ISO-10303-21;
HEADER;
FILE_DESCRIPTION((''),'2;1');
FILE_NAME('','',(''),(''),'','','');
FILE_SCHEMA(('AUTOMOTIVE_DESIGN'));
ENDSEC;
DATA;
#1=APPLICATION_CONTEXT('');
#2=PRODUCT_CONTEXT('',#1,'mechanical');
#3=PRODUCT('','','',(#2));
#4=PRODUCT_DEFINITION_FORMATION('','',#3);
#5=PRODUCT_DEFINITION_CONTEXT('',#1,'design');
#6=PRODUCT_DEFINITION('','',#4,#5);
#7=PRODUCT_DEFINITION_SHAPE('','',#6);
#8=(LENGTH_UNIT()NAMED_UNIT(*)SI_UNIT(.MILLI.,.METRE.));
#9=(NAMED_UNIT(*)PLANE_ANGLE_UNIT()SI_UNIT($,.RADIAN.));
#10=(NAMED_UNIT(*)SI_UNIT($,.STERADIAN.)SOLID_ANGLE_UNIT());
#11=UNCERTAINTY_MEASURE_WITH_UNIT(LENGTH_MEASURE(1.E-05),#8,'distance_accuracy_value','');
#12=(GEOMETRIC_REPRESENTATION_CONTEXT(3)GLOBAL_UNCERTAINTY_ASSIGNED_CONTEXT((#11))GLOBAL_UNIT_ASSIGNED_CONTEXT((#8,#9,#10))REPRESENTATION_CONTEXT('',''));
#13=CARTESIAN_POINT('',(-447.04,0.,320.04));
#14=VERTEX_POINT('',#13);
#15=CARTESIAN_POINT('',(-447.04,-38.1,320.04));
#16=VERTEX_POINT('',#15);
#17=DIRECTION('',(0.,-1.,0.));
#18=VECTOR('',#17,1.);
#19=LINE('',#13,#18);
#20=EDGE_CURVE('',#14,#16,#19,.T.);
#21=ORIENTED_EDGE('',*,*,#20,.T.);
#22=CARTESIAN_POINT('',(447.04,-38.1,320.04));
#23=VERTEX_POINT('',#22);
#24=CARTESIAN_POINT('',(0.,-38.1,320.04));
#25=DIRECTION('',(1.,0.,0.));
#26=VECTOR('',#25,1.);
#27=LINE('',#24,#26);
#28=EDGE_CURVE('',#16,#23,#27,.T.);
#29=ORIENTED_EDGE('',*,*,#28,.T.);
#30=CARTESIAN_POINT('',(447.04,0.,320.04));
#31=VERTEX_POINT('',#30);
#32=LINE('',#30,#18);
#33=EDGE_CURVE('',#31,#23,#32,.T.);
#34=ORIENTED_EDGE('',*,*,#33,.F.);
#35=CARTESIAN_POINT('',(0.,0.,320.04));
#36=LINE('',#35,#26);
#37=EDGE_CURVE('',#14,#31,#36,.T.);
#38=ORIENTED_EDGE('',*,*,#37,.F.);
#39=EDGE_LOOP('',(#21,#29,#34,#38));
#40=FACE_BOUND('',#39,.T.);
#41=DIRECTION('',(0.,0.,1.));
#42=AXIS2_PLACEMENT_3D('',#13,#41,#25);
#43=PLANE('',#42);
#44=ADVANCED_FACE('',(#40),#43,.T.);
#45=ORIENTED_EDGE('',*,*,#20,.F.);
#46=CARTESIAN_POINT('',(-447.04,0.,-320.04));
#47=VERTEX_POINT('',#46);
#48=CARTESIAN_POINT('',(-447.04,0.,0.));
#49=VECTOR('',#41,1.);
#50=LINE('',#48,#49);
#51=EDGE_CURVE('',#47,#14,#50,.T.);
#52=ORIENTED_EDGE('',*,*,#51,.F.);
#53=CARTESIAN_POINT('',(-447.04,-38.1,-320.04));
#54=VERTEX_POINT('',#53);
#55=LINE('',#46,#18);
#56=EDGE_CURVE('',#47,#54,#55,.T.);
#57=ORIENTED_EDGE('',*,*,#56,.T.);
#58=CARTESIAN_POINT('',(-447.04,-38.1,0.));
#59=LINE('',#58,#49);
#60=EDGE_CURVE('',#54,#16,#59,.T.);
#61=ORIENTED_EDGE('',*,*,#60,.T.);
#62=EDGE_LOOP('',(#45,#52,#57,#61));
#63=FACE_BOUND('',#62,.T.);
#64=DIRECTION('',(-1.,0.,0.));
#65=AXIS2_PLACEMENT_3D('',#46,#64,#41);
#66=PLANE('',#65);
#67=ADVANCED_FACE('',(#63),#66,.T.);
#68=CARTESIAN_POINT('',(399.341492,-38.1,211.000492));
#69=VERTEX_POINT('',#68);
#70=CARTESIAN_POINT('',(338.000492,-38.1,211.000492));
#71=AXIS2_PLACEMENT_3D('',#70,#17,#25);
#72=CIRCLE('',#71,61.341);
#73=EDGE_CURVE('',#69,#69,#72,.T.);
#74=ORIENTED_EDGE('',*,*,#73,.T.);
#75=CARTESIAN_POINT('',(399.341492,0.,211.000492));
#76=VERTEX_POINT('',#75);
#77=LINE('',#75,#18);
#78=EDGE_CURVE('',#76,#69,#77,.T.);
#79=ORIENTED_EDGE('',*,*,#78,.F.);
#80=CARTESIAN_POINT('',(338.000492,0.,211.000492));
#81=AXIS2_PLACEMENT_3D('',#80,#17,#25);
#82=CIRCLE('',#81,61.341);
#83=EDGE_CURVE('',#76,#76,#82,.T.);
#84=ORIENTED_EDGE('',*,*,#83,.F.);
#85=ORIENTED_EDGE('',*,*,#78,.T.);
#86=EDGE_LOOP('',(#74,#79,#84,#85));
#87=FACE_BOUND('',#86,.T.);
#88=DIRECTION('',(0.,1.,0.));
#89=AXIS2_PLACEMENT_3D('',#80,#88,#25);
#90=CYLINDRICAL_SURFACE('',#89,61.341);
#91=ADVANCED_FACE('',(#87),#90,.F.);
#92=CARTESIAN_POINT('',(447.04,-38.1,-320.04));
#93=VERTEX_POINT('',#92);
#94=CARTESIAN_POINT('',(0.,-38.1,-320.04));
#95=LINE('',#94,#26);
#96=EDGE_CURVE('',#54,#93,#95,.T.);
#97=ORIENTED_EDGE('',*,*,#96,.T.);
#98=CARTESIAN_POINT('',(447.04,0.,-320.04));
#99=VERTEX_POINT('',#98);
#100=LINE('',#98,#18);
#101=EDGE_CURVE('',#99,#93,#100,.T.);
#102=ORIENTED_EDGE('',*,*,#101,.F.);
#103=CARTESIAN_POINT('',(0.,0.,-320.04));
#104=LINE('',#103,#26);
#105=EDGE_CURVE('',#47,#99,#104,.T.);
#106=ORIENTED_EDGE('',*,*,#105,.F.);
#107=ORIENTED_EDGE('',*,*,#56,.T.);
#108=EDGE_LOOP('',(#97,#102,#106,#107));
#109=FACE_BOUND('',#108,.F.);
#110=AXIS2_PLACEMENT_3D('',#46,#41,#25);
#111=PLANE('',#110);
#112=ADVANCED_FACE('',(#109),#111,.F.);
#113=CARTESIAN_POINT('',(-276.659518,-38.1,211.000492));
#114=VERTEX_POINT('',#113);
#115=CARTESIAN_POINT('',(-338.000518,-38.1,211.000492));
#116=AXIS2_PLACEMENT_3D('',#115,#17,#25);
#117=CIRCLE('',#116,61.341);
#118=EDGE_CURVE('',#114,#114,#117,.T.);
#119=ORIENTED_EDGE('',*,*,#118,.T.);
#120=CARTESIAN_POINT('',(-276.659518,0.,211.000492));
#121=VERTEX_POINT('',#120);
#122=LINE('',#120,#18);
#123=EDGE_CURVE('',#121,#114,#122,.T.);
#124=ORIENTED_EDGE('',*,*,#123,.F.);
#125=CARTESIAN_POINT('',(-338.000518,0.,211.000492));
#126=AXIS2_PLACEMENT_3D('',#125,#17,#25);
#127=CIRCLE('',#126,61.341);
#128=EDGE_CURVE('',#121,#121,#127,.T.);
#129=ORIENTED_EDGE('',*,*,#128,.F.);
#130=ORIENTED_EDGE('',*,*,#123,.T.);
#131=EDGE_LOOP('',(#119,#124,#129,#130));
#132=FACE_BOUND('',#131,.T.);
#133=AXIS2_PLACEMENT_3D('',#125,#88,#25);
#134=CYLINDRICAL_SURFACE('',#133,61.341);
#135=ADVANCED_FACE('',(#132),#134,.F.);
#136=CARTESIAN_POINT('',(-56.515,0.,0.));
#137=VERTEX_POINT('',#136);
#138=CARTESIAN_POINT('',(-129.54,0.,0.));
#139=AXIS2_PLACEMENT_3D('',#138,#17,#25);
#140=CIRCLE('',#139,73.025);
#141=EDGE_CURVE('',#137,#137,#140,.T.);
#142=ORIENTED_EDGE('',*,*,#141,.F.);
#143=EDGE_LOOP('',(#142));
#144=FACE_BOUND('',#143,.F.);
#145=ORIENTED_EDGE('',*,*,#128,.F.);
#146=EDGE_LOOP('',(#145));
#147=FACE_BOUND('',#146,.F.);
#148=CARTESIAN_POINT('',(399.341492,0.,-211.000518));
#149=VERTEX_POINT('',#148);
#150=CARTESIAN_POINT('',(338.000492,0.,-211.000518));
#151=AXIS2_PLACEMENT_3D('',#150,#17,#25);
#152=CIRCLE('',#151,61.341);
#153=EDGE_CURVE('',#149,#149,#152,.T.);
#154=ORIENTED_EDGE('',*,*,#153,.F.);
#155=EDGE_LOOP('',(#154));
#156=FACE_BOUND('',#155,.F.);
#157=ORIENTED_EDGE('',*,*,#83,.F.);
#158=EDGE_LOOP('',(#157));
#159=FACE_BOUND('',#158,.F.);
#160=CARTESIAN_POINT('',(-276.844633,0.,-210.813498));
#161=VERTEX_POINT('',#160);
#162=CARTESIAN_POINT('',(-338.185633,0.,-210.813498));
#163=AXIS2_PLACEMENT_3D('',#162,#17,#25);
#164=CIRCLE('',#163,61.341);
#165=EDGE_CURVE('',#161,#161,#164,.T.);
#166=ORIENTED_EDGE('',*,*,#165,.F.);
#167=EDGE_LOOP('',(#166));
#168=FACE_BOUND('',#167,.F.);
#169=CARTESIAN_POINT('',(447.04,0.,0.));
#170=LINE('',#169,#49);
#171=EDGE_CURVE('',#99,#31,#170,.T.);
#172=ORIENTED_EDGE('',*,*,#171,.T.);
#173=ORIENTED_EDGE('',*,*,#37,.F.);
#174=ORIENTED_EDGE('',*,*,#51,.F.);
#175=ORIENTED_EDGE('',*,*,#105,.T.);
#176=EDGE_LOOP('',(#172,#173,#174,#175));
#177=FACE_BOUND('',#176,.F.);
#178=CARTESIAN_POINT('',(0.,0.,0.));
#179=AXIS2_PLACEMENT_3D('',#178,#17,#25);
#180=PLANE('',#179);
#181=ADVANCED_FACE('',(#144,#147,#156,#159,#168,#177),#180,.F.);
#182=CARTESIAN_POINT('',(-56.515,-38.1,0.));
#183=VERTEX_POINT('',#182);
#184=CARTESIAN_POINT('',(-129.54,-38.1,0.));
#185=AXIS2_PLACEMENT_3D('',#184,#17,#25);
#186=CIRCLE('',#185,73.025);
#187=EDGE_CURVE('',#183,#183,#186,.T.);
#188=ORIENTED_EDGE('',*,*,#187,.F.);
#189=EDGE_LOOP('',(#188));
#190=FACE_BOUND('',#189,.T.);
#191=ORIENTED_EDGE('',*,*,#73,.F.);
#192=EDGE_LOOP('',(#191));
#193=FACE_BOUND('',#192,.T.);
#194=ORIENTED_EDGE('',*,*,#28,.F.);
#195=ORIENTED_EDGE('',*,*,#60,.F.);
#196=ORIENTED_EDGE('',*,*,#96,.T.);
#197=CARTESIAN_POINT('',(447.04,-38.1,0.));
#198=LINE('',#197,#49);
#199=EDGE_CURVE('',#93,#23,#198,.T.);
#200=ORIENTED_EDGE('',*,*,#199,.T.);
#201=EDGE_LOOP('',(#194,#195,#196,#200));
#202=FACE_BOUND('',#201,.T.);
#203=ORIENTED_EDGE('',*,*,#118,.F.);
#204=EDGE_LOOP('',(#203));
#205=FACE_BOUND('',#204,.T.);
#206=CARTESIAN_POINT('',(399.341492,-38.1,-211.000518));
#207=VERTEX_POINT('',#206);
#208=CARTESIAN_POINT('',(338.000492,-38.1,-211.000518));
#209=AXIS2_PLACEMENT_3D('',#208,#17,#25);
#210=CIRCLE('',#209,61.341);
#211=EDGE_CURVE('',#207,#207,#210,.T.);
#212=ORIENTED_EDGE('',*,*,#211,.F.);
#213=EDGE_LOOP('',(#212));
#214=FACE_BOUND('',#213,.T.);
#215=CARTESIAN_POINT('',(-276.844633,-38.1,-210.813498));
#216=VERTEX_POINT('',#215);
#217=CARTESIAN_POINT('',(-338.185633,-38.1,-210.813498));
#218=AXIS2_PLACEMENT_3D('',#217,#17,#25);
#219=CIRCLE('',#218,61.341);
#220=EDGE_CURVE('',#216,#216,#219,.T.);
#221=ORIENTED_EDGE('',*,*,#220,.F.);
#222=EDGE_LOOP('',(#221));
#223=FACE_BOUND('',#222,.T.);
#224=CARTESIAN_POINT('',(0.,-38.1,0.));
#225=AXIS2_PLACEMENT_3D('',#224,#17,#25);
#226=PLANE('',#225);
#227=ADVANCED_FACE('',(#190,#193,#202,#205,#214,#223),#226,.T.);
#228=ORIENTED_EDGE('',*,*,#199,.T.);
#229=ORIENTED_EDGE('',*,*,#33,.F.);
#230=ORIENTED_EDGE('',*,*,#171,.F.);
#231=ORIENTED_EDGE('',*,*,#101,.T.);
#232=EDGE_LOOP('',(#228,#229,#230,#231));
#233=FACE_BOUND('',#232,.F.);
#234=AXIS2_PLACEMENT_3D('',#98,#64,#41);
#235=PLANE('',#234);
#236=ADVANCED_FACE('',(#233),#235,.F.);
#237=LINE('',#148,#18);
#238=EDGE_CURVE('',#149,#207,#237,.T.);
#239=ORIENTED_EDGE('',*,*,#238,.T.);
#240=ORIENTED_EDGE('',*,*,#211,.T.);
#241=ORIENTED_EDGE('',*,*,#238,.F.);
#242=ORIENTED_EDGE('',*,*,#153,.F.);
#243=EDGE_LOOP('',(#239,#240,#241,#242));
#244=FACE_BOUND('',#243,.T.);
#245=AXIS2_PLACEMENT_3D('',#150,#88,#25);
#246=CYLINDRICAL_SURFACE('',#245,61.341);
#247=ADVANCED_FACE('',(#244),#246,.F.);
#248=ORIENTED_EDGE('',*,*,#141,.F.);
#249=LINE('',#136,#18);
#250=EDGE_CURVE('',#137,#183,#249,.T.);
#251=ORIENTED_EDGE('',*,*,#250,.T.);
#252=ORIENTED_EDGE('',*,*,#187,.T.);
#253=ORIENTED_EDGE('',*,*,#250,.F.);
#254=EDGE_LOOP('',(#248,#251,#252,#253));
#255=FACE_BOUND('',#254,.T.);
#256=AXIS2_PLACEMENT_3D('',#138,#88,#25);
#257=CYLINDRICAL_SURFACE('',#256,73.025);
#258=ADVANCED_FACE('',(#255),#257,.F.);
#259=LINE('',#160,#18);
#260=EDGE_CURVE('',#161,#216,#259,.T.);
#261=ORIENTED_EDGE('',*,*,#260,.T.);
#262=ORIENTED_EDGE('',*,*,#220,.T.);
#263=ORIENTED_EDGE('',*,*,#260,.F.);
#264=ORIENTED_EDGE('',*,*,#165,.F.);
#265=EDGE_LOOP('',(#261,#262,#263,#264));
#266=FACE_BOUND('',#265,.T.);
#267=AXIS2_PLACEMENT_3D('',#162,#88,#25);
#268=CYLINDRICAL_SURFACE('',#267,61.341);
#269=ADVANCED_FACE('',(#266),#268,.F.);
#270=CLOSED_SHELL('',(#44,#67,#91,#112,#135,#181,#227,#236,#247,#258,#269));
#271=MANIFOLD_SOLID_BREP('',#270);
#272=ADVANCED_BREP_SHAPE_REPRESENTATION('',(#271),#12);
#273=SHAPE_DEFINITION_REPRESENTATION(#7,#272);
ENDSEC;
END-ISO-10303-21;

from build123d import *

# Parameters (mm, degrees)
F0_W     = 894.08
F0_H     = 640.08
F0_R     = 61.341
F0_R_2   = 73.025
F1_DEPTH = 38.1


with BuildPart() as f1:
    # F0 (on Front) → F1 (new body)
    with BuildSketch(Plane.XZ):
        Rectangle(F0_W, F0_H)
        with Locations((-338.185633, -210.813498)):
            Circle(F0_R, mode=Mode.SUBTRACT)
        with Locations((338.000492, -211.000518)):
            Circle(F0_R, mode=Mode.SUBTRACT)
        with Locations((-129.54, 0)):
            Circle(F0_R_2, mode=Mode.SUBTRACT)
        with Locations((-338.000518, 211.000492)):
            Circle(F0_R, mode=Mode.SUBTRACT)
        with Locations((338.000492, 211.000492)):
            Circle(F0_R, mode=Mode.SUBTRACT)
    extrude(amount=F1_DEPTH)


solid = f1.part
